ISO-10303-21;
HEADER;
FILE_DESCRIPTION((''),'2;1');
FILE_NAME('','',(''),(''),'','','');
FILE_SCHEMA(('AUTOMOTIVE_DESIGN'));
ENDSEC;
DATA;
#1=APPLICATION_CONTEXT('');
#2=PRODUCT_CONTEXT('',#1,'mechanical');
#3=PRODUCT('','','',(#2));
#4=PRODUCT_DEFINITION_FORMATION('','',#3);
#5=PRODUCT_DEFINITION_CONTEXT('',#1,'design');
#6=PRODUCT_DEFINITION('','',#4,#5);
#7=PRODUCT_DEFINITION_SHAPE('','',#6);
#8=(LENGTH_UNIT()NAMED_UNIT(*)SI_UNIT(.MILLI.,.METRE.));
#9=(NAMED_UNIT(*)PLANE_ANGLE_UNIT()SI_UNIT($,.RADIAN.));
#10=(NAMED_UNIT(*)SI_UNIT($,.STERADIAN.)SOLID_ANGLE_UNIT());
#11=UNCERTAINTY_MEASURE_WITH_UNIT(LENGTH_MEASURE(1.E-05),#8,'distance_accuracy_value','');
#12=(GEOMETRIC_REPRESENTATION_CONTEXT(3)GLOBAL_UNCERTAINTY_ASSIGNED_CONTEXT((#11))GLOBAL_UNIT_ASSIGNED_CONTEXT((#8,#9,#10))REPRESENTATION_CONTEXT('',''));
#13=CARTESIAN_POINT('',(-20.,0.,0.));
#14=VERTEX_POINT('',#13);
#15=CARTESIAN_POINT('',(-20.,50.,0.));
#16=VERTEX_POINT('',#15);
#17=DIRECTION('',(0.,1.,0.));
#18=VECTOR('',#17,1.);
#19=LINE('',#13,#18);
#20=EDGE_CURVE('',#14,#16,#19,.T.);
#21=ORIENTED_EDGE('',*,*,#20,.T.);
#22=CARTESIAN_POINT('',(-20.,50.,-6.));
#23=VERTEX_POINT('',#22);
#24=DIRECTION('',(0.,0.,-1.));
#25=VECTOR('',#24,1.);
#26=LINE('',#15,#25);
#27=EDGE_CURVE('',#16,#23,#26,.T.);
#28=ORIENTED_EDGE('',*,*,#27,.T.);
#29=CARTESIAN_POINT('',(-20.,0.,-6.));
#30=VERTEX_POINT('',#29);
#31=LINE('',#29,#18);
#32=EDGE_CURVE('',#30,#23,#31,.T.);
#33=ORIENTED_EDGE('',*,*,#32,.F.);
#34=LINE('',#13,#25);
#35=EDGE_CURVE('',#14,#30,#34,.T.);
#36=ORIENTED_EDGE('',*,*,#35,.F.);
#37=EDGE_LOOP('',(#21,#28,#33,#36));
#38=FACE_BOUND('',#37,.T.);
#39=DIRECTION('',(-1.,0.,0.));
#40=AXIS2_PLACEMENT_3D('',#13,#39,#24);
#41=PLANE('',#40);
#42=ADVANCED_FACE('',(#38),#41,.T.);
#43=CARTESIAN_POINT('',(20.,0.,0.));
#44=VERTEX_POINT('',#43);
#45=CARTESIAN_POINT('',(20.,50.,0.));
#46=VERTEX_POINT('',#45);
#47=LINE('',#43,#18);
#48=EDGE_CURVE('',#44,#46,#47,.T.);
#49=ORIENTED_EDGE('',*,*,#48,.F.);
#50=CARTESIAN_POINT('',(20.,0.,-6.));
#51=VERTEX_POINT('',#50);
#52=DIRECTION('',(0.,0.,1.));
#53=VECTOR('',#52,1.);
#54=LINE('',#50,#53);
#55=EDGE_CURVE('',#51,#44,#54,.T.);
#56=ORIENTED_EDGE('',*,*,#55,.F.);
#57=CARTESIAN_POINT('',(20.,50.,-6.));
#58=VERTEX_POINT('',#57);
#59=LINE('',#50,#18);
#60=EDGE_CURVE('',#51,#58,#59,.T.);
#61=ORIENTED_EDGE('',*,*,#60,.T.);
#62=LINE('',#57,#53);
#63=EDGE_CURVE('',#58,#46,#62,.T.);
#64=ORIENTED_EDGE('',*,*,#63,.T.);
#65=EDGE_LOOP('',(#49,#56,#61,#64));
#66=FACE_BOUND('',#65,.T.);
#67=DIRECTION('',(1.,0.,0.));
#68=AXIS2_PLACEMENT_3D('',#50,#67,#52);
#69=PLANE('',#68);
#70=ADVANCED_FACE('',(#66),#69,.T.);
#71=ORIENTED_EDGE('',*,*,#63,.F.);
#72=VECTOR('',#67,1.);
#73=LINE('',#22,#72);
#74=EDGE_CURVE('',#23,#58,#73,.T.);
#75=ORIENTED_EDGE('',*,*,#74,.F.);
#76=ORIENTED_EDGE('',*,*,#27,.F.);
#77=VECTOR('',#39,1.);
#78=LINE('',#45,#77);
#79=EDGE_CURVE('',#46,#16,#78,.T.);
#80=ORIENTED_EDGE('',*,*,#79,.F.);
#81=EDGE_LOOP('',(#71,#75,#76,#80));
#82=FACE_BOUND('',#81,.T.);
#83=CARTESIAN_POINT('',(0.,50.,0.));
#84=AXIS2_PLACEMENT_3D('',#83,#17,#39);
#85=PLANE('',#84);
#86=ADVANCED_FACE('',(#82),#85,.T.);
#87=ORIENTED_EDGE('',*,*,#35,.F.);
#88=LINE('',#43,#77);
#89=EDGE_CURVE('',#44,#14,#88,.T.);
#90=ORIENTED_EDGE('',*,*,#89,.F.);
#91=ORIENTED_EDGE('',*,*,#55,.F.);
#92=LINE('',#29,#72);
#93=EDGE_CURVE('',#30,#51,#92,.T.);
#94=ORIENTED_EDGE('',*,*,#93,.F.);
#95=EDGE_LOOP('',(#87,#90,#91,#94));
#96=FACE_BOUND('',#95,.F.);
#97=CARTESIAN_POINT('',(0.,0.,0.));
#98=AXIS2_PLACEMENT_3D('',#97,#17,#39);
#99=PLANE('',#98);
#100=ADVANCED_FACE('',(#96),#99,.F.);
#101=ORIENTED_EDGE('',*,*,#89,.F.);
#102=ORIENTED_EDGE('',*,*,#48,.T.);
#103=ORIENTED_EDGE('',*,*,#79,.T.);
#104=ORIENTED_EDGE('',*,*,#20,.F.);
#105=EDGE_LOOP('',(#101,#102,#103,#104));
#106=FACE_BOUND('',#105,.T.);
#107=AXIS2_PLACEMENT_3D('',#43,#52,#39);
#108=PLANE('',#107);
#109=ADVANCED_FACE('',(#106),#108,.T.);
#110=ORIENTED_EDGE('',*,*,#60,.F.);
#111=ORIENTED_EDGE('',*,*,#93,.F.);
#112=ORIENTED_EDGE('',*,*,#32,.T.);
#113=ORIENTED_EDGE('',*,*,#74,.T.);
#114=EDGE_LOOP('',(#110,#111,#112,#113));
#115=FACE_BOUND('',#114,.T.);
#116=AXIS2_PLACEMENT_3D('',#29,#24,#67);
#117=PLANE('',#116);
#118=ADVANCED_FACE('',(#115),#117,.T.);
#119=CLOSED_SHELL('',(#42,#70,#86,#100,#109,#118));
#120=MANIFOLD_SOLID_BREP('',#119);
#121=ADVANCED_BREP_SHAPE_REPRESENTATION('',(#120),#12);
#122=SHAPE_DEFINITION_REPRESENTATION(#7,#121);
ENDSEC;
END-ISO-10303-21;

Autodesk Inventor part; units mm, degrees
ref_plane "YZ Plane" through (0, 0, 0) normal (1, 0, 0) x (0, 1, 0)
ref_plane "XZ Plane" through (0, 0, 0) normal (0, 1, 0) x (-1, 0, 0)
ref_plane "XY Plane" through (0, 0, 0) normal (0, 0, 1) x (1, 0, 0)
sketch "スケッチ1" plane through (0, 0, 0) normal (0, 1, 0) x (-1, 0, 0)
  line L0 (-20, 0) -> (20, 0)
  line L1 (20, 0) -> (20, -6)
  line L2 (20, -6) -> (-20, -6)
  line L3 (-20, -6) -> (-20, 0)
  line L4 (-20, 0) -> (20, -6) construction
  line L5 (20, 0) -> (-20, -6) construction
  point P0 (0, -3)
  point P1 (0, 0)
  dimension "d0" = 40
  dimension "d1" = 6
  dimension "d6" = 0
  dimension "d7" = 0
extrude "押し出し1" add sketch "スケッチ1" along normal blind 50
properties part number "finger_1"
